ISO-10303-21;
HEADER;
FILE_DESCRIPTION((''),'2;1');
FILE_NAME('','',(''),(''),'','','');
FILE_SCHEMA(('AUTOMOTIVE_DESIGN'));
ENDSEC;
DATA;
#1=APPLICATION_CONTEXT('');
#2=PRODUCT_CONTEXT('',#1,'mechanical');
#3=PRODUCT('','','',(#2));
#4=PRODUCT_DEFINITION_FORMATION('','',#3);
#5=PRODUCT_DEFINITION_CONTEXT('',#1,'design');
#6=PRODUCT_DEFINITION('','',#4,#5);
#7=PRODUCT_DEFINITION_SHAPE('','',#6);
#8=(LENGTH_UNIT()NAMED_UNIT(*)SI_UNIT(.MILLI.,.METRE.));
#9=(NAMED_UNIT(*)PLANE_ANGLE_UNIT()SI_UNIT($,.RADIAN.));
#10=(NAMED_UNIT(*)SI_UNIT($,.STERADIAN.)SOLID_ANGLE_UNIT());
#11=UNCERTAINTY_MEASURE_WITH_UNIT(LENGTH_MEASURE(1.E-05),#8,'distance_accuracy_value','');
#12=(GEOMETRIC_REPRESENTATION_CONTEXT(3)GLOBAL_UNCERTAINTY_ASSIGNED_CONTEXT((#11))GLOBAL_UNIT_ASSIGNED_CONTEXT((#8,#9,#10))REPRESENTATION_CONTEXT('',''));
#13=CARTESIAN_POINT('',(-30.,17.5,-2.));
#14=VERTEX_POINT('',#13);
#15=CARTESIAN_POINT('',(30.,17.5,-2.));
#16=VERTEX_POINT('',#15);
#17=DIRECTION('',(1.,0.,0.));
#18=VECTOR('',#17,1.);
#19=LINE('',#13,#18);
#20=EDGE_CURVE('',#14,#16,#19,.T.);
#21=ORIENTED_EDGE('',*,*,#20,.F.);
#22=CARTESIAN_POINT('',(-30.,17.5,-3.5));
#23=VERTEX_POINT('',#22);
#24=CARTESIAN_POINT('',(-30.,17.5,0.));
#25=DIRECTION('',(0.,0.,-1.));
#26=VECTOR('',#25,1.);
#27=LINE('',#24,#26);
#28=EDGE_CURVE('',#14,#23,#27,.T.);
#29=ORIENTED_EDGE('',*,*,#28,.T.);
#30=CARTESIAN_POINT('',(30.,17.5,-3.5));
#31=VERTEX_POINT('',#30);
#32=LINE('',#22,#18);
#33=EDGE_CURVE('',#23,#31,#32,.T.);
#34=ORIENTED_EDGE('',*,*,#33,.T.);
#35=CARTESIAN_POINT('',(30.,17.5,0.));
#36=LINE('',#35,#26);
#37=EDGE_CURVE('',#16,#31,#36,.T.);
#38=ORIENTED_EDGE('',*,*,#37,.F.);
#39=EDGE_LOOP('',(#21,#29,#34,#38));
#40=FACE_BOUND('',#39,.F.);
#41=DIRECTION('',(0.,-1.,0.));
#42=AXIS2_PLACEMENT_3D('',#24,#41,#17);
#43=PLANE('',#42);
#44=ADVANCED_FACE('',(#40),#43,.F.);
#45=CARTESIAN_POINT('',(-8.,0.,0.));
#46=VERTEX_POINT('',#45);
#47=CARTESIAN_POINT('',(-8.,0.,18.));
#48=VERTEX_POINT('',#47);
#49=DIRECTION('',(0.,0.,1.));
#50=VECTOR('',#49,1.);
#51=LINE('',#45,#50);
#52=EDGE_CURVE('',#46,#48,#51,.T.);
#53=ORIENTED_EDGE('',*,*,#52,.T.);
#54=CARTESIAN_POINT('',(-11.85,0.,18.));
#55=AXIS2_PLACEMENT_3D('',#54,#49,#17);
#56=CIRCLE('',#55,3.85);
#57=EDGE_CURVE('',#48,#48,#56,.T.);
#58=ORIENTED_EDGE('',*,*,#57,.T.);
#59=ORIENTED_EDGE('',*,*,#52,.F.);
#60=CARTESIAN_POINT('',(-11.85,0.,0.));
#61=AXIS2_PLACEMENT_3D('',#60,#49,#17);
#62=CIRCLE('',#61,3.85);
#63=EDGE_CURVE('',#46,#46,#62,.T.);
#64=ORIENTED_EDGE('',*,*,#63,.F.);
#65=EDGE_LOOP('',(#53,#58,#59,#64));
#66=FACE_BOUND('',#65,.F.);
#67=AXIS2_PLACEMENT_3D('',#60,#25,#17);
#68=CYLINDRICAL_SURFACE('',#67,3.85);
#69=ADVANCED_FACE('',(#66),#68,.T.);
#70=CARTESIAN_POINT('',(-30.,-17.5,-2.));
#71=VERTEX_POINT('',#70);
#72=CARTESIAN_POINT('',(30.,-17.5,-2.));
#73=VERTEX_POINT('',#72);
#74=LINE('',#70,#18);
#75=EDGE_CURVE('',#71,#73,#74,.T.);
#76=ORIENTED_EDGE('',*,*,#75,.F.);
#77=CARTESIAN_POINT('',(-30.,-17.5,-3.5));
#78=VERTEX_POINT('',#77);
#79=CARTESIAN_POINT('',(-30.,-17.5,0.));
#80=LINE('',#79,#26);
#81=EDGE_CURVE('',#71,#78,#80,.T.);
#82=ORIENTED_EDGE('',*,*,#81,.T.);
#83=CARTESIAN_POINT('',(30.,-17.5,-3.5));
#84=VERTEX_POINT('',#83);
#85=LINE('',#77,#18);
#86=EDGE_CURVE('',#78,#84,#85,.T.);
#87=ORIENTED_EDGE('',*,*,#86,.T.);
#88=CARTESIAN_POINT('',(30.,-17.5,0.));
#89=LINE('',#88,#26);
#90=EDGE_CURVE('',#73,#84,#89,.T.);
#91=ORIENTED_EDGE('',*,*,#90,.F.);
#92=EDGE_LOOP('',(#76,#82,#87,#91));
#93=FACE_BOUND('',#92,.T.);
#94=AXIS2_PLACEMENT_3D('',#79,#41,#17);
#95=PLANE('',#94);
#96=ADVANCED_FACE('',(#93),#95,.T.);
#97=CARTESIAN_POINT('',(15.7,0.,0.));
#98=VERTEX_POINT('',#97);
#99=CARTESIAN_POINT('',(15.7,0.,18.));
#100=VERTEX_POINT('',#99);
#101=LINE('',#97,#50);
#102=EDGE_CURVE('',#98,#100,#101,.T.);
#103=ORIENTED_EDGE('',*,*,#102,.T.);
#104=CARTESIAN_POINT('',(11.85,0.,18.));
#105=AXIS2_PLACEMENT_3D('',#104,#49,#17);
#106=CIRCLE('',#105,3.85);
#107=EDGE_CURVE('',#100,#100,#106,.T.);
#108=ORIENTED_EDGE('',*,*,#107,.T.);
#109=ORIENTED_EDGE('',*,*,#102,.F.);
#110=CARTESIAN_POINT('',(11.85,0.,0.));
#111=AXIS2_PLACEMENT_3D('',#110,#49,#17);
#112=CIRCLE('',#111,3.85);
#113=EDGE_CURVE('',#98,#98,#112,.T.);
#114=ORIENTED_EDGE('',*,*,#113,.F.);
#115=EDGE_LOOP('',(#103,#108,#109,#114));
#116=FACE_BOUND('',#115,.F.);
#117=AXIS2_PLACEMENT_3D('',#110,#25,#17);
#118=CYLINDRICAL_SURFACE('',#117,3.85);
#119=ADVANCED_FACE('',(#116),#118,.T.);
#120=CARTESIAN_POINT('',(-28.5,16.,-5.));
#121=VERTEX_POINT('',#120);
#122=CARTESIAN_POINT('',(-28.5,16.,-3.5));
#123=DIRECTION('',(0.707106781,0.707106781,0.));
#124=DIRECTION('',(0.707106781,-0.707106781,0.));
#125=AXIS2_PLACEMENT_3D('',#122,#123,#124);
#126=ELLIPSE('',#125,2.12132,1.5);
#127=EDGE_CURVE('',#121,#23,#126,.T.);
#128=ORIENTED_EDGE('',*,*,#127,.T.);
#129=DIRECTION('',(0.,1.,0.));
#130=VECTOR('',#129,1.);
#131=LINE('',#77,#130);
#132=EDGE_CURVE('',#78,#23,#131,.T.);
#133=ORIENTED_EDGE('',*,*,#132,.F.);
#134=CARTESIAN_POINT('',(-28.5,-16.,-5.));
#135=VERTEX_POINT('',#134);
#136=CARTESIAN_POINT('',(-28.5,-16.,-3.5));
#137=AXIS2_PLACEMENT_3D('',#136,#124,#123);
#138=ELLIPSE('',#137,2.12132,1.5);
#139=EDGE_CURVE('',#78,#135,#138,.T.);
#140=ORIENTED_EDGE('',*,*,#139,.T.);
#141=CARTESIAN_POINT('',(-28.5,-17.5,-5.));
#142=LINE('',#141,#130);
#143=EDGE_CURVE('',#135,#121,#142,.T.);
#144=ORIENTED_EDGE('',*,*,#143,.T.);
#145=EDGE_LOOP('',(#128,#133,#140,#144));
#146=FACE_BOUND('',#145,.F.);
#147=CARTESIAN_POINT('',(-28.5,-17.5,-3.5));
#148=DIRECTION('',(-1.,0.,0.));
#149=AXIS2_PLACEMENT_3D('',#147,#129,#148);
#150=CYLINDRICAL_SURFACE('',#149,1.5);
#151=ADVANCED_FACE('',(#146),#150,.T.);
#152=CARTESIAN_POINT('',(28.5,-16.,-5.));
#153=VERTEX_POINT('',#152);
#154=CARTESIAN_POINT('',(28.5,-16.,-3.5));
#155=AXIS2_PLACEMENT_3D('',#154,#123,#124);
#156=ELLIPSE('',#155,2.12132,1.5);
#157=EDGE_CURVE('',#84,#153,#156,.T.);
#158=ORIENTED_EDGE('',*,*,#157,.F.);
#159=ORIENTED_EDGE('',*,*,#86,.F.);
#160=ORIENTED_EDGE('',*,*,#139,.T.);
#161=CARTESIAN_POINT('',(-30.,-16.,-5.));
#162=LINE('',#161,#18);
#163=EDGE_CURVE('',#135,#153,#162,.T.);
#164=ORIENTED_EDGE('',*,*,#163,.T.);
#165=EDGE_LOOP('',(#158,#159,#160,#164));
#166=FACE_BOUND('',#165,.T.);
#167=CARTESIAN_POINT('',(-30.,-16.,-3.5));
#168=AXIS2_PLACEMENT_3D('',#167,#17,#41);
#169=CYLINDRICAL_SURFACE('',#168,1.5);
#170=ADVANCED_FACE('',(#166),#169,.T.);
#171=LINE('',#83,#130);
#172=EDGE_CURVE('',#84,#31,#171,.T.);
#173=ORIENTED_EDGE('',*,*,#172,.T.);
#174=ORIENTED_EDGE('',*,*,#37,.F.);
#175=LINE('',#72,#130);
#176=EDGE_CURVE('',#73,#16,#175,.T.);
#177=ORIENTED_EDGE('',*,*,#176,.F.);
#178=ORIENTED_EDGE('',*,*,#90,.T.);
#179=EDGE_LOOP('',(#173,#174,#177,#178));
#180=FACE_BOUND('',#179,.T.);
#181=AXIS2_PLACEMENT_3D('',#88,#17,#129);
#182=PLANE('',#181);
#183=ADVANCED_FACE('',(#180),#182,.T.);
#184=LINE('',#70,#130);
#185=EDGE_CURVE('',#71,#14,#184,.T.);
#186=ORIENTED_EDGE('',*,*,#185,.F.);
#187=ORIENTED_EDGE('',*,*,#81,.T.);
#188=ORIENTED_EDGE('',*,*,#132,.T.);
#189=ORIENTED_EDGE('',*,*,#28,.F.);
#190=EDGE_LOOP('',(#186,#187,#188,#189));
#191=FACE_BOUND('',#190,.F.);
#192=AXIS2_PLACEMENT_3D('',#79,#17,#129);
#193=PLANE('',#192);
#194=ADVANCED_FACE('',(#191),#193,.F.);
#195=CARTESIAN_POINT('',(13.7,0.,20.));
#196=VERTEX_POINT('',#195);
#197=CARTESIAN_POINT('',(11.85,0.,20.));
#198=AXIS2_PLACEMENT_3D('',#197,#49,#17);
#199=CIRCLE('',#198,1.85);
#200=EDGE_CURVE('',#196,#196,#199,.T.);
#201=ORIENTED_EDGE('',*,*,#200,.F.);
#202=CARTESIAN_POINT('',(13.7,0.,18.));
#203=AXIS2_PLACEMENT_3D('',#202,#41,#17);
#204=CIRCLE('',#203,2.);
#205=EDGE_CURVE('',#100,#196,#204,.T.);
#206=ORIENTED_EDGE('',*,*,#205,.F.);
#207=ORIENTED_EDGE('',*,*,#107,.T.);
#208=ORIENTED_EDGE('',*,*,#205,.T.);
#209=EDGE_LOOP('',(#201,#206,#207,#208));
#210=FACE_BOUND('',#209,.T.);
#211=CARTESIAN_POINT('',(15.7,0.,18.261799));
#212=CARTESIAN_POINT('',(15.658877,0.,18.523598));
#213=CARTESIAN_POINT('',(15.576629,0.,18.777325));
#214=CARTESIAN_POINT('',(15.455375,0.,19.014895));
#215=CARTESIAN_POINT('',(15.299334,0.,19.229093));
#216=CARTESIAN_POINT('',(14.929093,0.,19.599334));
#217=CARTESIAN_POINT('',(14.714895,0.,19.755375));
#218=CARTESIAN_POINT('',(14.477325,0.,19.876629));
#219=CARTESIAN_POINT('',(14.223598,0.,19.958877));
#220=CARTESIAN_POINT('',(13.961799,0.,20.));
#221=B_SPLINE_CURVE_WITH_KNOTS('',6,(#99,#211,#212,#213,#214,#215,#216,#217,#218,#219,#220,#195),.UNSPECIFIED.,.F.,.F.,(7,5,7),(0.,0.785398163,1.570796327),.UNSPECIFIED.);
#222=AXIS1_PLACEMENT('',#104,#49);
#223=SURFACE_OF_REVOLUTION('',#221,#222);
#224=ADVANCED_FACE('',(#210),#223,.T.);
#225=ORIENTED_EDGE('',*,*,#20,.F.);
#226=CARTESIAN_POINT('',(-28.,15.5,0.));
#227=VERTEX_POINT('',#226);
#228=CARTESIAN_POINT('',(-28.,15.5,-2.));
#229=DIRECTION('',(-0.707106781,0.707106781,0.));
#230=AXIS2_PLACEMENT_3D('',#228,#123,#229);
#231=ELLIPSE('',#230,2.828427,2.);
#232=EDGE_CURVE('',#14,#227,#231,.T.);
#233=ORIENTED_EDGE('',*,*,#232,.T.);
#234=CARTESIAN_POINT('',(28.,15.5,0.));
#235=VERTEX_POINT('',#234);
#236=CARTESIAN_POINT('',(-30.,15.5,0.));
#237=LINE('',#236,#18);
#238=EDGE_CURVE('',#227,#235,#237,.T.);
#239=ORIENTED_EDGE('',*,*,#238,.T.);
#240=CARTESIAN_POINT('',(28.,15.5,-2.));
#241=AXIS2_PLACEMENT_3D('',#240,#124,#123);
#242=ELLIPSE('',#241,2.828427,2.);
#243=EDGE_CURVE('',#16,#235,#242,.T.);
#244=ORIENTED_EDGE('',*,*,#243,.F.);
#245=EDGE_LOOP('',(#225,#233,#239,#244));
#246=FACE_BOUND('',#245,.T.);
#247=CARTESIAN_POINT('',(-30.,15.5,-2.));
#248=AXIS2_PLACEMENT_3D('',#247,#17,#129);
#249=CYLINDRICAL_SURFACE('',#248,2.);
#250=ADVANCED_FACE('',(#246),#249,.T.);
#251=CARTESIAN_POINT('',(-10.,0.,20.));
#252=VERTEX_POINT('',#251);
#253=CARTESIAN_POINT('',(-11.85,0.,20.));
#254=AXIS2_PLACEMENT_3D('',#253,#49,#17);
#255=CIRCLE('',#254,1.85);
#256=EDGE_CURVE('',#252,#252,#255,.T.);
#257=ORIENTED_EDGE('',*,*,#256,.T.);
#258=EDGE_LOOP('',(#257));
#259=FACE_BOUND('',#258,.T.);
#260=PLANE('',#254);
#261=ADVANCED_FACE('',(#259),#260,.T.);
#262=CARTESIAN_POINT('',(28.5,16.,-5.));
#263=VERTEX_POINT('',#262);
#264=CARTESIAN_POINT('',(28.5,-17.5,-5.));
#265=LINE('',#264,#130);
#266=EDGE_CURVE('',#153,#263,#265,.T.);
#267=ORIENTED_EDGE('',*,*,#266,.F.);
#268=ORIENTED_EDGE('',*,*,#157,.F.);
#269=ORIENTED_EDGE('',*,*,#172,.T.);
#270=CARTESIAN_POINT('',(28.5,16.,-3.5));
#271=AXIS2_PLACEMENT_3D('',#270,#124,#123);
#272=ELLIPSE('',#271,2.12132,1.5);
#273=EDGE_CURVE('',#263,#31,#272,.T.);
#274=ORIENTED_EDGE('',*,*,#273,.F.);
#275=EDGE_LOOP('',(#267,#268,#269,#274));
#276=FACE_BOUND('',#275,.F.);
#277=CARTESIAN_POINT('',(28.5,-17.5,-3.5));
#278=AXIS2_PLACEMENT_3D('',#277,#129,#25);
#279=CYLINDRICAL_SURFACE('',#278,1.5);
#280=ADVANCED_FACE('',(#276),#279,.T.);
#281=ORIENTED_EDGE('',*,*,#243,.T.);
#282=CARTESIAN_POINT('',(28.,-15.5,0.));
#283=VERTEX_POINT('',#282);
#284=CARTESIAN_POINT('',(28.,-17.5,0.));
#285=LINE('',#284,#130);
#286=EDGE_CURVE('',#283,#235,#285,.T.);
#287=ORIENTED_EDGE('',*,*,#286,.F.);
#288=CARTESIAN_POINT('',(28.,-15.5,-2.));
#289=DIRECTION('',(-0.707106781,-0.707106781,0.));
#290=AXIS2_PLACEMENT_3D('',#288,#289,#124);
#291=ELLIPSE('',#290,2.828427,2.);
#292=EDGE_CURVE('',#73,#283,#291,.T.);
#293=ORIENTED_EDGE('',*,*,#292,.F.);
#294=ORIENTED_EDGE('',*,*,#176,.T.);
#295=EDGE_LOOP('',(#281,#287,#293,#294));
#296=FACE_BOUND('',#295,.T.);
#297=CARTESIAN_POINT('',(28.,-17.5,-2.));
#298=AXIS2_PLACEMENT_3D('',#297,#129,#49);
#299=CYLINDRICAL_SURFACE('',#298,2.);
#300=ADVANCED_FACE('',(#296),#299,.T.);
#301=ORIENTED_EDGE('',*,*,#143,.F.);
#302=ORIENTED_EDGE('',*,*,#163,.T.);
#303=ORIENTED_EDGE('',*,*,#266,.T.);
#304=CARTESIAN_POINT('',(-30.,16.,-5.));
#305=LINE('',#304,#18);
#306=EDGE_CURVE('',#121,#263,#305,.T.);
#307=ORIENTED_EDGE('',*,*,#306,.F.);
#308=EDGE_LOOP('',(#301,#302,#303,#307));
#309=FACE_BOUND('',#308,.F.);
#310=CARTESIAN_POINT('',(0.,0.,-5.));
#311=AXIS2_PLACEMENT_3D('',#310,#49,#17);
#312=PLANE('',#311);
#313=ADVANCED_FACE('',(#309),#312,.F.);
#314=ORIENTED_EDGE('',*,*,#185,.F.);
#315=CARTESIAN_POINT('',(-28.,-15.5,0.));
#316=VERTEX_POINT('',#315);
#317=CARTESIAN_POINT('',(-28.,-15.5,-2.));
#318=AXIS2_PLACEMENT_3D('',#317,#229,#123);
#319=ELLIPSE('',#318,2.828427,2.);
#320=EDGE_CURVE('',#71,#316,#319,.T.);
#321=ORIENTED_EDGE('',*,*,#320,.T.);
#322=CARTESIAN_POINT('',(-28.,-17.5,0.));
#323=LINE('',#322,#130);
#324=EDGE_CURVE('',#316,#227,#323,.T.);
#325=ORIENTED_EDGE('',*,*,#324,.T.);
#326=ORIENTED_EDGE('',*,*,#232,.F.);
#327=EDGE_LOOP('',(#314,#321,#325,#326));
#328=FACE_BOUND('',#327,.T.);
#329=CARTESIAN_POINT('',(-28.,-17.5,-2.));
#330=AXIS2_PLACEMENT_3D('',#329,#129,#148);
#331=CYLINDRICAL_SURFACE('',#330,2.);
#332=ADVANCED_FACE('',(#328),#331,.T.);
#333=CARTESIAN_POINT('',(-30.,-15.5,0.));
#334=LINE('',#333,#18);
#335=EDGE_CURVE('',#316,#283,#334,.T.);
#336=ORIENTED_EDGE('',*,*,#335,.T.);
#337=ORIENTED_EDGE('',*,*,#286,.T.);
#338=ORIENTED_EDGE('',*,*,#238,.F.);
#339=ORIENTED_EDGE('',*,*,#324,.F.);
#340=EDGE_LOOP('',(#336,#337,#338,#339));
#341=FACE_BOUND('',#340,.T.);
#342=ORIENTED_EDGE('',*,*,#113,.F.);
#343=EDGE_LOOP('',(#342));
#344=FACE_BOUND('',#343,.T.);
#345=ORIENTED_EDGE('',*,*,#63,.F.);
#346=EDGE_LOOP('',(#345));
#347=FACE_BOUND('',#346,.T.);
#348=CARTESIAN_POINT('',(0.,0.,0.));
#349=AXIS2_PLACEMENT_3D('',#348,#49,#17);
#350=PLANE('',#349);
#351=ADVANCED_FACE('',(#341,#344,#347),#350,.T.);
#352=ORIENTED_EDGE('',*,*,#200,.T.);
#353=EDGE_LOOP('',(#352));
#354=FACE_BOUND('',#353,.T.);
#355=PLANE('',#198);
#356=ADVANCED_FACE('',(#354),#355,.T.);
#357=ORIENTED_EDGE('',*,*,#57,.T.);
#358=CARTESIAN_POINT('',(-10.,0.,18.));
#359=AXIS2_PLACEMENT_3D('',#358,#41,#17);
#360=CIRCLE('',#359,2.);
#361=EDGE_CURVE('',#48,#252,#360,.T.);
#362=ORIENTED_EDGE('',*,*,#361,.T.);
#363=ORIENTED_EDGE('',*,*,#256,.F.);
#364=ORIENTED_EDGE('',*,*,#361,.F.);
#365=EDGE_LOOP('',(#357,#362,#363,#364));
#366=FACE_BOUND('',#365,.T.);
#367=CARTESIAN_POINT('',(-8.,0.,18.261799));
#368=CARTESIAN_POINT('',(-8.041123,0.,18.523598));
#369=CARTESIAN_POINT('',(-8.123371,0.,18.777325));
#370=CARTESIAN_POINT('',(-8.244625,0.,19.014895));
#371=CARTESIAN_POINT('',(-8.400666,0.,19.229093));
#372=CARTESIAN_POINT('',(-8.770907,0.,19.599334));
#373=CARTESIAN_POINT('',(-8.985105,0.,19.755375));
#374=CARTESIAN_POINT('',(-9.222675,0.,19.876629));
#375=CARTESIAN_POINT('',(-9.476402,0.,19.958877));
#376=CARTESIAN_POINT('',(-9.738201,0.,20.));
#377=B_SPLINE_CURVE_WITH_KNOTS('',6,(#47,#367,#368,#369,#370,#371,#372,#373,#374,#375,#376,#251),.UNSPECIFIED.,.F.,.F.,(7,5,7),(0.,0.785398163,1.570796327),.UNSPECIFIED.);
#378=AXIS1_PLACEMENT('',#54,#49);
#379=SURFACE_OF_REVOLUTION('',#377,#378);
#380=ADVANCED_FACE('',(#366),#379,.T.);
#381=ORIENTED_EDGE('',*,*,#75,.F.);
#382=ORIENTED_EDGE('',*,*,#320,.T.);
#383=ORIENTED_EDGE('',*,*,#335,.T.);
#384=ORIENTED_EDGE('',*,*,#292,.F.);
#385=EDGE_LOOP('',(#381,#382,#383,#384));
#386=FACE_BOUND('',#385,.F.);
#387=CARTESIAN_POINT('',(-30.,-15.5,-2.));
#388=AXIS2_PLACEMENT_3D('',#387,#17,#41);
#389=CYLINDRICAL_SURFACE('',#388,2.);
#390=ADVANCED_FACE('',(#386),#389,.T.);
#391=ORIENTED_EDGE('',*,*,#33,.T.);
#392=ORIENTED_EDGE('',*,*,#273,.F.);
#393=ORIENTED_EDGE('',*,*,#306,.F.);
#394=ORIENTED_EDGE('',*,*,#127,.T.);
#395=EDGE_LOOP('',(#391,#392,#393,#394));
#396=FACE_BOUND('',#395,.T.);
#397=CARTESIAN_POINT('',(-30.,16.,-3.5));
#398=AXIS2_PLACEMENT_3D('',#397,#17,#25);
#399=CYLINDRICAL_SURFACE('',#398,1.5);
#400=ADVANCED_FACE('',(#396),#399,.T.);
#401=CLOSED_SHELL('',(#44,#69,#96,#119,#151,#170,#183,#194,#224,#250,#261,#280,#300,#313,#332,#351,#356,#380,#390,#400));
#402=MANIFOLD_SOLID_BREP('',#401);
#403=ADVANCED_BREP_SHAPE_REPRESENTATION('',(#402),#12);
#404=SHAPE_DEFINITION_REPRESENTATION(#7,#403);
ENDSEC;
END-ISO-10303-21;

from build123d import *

# Parameters (mm, degrees)
F0_W     = 60
F0_H     = 35
F1_DEPTH = 5
F2_R     = 3.85
F3_DEPTH = 20
F4_R     = 2
F5_R     = 1.5


with BuildPart() as f1:
    # F0 (on Top) → F1 (new body)
    with BuildSketch(Plane.XY):
        Rectangle(F0_W, F0_H)
    extrude(amount=-F1_DEPTH)

    # F2 (on Top) → F3 (join)
    with BuildSketch(Plane.XY):
        with Locations((11.85, 0)):
            Circle(F2_R)
        with Locations((-11.85, 0)):
            Circle(F2_R)
    extrude(amount=F3_DEPTH)

    # F4
    f4_edges = [f1.edges().sort_by_distance(p)[0] for p in [
        (0, -17.5, 0),
        (-30, 0, 0),
        (0, 17.5, 0),
        (30, 0, 0),
        (8, 0, 20),
        (-15.7, 0, 20),
    ]]
    fillet(f4_edges, radius=F4_R)

    # F5
    f5_edges = [f1.edges().sort_by_distance(p)[0] for p in [
        (0, 17.5, -5),
        (-30, 0, -5),
        (0, -17.5, -5),
        (30, 0, -5),
    ]]
    fillet(f5_edges, radius=F5_R)


solid = f1.part
